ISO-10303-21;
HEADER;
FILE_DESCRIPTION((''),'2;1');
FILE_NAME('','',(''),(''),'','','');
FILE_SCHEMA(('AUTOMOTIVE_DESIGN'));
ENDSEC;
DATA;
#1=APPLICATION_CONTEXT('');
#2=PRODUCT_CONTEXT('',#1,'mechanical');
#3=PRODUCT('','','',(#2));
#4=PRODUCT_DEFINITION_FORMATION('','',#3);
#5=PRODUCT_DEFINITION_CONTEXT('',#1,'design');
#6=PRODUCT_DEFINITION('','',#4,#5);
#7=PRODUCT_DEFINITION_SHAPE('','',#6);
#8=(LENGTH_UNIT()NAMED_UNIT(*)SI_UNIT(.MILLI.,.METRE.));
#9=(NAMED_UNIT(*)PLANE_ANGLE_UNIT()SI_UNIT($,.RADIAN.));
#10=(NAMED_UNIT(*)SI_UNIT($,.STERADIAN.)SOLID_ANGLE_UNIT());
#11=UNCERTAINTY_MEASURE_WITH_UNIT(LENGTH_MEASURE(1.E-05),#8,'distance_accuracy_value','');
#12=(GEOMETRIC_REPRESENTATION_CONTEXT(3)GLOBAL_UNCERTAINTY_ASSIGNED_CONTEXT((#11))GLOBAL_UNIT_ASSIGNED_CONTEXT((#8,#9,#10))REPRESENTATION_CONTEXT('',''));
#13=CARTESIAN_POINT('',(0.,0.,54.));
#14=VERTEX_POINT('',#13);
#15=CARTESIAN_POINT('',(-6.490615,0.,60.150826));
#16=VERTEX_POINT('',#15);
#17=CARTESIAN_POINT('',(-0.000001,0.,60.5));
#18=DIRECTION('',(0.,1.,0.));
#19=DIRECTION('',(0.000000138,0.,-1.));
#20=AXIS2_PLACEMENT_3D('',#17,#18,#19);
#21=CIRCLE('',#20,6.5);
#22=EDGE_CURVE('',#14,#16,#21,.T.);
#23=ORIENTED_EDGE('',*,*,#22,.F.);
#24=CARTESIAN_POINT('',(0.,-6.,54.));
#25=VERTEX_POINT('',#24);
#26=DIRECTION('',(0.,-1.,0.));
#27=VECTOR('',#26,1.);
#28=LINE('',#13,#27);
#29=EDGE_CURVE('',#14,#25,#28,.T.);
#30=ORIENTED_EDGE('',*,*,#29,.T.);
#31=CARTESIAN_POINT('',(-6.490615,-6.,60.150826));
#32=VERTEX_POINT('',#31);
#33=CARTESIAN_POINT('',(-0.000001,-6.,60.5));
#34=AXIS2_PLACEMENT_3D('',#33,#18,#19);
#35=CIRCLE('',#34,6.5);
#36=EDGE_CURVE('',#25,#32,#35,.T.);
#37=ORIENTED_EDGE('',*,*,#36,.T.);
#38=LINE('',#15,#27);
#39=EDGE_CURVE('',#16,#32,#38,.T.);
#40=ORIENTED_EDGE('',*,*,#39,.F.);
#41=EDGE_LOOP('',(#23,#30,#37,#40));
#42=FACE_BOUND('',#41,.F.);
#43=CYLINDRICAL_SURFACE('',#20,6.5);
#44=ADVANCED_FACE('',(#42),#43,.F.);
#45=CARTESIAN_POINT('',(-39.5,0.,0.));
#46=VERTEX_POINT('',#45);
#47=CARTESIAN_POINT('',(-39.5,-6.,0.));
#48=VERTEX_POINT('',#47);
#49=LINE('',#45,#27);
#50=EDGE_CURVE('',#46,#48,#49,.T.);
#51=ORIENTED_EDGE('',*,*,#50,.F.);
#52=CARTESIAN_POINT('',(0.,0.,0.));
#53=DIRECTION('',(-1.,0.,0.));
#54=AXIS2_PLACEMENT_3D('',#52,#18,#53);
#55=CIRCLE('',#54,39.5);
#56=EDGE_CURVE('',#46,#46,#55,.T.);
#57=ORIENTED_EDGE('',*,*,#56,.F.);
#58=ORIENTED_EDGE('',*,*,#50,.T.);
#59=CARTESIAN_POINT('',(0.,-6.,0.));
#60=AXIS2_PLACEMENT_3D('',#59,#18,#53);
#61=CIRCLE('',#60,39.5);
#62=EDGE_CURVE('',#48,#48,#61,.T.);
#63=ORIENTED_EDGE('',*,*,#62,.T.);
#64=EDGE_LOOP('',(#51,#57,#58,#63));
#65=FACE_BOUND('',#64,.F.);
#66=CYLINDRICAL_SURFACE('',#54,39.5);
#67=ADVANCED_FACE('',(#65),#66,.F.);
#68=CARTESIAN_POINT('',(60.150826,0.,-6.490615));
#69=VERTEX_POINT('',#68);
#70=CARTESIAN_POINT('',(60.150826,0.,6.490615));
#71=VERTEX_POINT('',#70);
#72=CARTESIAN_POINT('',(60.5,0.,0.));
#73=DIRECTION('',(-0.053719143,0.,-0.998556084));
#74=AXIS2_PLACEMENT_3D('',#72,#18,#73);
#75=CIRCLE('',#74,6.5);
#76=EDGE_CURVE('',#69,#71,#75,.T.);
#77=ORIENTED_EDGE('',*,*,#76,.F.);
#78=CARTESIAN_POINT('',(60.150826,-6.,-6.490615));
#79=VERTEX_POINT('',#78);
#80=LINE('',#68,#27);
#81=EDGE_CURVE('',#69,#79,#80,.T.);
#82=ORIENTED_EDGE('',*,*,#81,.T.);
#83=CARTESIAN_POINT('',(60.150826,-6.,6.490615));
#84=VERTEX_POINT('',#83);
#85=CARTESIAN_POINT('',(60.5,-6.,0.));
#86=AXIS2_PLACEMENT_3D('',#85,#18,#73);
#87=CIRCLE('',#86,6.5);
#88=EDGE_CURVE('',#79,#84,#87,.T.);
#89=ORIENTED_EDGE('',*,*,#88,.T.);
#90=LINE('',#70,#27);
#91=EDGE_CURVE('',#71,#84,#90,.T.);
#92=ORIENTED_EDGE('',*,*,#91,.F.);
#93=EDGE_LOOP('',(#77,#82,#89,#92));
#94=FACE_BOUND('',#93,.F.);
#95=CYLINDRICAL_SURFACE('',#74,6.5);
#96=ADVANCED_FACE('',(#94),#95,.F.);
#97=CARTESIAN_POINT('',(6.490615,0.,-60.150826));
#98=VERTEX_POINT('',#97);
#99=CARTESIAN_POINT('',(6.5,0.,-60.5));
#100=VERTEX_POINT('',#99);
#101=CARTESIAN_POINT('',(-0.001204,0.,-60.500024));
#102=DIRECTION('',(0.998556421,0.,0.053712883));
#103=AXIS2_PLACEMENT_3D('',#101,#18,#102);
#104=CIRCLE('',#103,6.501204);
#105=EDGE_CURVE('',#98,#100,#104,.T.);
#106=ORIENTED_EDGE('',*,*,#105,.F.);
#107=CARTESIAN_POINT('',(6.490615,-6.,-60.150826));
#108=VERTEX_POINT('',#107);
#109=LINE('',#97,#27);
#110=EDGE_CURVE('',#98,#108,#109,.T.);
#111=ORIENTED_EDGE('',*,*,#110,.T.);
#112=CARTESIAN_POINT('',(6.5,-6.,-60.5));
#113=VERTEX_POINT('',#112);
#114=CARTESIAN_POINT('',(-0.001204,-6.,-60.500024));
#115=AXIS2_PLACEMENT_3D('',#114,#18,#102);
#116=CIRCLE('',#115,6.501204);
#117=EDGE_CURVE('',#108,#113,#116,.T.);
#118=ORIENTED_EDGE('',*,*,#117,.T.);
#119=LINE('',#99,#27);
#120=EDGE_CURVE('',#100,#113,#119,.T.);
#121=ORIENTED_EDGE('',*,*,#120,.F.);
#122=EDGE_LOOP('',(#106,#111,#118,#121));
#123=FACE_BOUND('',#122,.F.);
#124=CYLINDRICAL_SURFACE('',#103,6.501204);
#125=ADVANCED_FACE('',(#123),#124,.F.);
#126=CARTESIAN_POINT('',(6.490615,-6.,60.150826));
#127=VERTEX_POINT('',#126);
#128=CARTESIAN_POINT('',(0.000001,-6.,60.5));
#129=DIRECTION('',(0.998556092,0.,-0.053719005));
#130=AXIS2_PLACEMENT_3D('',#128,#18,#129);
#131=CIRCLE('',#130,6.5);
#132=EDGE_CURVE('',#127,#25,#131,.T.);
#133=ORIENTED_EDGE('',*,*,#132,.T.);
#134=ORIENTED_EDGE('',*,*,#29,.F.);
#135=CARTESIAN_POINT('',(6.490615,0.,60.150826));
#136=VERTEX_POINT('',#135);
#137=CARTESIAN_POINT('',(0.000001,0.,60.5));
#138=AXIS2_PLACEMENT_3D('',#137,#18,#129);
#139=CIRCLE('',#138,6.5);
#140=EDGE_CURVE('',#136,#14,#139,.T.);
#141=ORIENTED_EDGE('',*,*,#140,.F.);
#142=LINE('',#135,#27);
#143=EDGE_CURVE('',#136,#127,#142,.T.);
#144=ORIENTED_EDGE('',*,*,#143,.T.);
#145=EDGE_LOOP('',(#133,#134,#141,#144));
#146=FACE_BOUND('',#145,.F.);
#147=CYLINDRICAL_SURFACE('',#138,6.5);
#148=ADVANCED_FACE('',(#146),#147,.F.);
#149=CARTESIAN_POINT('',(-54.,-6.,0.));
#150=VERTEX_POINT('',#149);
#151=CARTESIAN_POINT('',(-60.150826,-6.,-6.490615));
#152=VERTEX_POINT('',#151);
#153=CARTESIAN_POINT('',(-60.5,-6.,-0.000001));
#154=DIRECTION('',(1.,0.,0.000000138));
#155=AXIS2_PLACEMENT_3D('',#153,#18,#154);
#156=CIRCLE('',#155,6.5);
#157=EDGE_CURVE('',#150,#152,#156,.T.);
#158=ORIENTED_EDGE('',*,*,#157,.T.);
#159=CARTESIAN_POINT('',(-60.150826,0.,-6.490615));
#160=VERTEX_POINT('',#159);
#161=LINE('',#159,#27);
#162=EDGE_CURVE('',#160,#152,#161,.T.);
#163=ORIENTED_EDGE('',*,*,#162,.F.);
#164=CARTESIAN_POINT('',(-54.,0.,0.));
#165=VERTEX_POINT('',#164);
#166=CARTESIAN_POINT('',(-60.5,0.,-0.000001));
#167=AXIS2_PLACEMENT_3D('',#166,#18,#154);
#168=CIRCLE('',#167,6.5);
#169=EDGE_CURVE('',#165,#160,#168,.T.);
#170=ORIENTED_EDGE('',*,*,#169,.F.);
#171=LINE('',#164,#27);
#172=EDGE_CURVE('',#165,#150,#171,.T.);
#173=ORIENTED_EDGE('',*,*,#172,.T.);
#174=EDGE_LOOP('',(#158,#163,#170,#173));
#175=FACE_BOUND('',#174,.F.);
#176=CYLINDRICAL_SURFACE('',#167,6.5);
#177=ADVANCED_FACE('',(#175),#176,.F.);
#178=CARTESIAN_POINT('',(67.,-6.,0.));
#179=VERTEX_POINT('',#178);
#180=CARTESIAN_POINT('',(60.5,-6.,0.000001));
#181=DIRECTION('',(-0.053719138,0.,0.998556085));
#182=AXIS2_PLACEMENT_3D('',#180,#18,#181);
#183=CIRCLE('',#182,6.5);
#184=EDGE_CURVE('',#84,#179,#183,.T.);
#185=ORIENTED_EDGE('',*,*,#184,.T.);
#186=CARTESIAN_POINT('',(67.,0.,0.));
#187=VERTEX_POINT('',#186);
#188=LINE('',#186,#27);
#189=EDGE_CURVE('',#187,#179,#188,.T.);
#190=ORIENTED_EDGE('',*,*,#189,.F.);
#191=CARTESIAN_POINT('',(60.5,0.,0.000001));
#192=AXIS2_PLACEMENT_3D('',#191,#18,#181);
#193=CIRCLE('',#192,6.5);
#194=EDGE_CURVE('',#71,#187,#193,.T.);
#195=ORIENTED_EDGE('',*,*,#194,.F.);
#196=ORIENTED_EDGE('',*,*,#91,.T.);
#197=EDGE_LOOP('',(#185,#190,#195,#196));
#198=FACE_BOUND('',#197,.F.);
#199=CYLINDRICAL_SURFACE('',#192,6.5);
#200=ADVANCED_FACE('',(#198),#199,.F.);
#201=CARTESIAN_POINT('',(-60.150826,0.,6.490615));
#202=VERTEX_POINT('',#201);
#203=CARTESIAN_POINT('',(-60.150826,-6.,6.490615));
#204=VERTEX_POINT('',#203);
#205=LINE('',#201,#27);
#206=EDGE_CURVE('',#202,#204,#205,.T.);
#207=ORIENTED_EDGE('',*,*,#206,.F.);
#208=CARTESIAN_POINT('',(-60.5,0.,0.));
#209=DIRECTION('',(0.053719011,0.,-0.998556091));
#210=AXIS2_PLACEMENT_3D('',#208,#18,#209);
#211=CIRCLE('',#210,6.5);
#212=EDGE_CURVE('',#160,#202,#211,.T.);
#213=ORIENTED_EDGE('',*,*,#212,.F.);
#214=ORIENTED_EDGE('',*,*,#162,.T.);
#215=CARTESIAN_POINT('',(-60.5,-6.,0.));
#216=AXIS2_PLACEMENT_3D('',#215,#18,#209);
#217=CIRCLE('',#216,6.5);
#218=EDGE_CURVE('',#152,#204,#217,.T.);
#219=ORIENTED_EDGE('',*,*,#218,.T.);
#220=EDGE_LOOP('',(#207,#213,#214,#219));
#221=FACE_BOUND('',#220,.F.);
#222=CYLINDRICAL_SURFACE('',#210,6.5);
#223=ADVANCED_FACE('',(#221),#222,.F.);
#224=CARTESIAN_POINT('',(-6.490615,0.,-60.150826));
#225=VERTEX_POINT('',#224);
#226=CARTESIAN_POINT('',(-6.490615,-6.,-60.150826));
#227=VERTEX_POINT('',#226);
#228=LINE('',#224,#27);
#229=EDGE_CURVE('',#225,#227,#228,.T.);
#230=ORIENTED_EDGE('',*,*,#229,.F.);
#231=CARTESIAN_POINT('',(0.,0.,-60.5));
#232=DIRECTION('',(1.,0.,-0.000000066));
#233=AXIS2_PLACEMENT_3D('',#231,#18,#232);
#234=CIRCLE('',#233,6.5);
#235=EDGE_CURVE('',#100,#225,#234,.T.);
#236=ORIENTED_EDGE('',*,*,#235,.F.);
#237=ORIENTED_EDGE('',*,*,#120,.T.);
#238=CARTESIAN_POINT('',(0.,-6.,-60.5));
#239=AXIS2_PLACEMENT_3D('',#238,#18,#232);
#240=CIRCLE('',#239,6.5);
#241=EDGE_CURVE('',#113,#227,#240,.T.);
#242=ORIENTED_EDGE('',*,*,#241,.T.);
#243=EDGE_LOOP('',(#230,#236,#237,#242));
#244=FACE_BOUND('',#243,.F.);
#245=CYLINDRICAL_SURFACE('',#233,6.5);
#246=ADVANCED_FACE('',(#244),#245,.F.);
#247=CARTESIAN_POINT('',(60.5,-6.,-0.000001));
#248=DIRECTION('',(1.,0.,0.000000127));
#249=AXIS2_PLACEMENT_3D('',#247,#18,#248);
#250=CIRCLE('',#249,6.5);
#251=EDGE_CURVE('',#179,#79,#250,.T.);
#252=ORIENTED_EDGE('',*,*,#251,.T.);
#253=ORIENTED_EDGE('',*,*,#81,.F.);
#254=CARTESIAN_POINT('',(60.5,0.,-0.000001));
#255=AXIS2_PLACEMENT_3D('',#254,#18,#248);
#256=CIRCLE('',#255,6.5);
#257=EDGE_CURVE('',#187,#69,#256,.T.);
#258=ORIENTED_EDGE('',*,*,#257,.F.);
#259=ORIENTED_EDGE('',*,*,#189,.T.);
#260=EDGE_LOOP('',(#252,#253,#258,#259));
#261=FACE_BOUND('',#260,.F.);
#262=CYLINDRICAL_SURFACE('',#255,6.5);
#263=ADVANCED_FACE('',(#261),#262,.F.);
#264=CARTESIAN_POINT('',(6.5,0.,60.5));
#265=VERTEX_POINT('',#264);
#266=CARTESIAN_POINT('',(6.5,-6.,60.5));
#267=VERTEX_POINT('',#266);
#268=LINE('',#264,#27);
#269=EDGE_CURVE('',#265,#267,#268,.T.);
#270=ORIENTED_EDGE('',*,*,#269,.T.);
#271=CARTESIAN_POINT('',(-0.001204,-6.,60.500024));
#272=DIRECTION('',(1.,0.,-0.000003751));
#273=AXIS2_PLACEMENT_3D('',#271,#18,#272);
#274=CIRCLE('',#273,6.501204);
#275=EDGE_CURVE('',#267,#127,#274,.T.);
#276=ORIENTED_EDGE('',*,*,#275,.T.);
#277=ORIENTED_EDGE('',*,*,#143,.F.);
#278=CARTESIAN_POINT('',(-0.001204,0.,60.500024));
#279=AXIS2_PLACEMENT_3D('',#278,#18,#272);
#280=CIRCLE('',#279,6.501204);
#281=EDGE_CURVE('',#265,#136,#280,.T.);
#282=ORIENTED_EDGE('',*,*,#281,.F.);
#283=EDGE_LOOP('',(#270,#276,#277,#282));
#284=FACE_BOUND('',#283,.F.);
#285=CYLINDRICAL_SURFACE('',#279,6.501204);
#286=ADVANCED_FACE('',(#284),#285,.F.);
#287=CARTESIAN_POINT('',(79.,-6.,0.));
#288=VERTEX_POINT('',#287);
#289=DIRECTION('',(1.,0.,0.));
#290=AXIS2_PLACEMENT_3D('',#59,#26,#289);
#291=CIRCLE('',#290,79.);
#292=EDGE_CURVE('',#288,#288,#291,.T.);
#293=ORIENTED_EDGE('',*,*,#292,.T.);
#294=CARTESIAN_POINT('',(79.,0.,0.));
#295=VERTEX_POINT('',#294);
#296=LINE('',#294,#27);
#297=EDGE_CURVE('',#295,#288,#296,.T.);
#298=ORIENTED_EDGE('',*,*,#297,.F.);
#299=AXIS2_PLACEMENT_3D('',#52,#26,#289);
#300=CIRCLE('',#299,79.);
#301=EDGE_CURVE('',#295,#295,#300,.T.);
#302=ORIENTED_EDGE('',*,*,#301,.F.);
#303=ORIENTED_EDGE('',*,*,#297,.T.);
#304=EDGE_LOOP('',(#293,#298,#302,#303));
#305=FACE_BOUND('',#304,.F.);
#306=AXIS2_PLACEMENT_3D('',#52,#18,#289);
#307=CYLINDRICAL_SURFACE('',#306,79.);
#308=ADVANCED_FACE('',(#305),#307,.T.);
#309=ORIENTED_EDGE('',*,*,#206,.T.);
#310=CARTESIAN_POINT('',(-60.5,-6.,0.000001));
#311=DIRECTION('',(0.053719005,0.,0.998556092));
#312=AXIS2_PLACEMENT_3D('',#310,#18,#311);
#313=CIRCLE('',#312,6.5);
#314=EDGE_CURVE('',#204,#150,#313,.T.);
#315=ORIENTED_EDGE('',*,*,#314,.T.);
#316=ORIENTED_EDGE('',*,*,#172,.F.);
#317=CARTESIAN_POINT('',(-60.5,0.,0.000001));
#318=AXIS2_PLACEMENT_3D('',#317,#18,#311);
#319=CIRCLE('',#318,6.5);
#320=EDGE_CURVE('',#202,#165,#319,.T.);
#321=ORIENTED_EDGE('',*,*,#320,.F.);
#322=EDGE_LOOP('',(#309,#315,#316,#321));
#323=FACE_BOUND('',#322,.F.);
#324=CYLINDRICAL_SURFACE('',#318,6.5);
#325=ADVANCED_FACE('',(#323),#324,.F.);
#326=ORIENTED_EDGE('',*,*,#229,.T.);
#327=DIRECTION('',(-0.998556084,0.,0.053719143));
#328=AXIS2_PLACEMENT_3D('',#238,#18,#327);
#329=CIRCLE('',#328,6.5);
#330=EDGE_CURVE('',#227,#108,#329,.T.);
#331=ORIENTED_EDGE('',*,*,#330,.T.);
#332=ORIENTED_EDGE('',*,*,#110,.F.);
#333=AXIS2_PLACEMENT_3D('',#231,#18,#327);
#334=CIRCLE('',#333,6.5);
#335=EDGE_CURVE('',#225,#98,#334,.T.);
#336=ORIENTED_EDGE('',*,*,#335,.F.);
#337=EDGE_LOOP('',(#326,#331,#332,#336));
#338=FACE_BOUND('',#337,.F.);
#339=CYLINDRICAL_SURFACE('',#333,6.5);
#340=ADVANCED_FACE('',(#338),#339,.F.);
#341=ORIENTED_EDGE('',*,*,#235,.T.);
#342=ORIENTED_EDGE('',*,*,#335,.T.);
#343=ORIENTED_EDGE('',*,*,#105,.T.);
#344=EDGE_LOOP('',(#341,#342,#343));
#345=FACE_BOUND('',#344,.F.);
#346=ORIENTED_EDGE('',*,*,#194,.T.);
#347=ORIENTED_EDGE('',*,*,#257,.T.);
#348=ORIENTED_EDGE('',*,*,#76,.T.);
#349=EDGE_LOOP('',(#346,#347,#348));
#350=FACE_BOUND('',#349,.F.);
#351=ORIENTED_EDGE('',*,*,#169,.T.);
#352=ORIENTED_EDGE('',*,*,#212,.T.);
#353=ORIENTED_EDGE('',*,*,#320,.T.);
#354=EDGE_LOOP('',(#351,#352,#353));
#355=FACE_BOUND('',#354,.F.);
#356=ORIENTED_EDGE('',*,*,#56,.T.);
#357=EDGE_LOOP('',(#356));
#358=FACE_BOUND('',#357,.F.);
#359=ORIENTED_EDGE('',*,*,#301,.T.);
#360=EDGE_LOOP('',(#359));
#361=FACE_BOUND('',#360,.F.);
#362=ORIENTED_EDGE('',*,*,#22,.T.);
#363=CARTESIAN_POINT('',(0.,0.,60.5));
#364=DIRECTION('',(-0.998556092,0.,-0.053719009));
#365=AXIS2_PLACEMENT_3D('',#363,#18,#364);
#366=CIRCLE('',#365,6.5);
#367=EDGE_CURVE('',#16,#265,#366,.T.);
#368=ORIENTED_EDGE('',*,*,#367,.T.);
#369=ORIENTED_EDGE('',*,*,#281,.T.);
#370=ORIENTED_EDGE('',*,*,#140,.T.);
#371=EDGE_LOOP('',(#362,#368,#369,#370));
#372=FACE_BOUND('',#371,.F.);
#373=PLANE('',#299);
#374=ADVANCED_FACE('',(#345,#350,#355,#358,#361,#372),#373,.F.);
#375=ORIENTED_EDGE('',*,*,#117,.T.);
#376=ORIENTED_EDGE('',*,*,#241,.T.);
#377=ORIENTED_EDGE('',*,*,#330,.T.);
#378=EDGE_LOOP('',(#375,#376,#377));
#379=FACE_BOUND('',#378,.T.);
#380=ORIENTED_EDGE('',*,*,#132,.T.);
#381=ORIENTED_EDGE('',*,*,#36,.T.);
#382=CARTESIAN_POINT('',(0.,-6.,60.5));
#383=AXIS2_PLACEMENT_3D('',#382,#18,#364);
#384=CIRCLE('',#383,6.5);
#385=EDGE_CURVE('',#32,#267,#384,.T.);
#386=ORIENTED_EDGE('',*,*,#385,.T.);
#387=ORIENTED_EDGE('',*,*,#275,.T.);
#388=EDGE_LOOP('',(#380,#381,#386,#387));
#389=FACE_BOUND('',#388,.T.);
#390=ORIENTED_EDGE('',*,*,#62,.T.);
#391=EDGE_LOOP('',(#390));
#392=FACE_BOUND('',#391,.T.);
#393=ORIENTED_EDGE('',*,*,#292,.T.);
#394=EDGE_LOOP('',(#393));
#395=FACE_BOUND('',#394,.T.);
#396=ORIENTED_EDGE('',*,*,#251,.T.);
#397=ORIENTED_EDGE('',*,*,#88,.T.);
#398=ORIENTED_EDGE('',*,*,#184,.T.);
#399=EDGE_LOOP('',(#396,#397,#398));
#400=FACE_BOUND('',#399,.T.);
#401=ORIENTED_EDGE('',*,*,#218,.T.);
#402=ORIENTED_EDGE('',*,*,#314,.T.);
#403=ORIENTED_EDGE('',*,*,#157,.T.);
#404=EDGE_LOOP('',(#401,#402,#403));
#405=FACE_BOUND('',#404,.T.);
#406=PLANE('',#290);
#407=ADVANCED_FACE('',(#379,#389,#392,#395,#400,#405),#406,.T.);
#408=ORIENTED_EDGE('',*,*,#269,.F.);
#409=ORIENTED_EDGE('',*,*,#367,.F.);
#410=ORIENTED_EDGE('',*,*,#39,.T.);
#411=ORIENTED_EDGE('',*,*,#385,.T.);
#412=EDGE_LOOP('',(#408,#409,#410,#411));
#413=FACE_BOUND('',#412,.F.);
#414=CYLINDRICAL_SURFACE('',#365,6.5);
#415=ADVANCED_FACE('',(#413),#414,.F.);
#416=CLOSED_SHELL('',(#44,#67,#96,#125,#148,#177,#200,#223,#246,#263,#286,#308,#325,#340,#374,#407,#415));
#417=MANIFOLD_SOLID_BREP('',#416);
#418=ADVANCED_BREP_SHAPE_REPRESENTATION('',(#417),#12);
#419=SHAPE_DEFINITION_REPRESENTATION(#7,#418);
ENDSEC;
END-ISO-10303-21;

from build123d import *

# Parameters (mm, degrees)
F0_R     = 79
F1_DEPTH = 6
F2_R     = 39.5
F3_DEPTH = 6.001


with BuildPart() as f1:
    # F0 (on Front) → F1 (new body)
    with BuildSketch(Plane.XZ):
        Circle(F0_R)
        with BuildLine():
            ThreePointArc((6.490615, 60.150826), (42.77996, 42.77996), (60.150826, 6.490615))
            ThreePointArc((60.150826, 6.490615), (64.971039, 4.718031), (67, 0))
            ThreePointArc((67, 0), (64.971039, -4.718031), (60.150826, -6.490615))
            ThreePointArc((60.150826, -6.490615), (42.77996, -42.77996), (6.490615, -60.150826))
            ThreePointArc((6.490615, -60.150826), (6.497653, -60.32535), (6.5, -60.5))
            ThreePointArc((6.5, -60.5), (-0.17465, -66.997653), (-6.490615, -60.150826))
            ThreePointArc((-6.490615, -60.150826), (-42.77996, -42.77996), (-60.150826, -6.490615))
            ThreePointArc((-60.150826, -6.490615), (-67, 0), (-60.150826, 6.490615))
            ThreePointArc((-60.150826, 6.490615), (-42.77996, 42.77996), (-6.490615, 60.150826))
            ThreePointArc((-6.490615, 60.150826), (-0.17465, 66.997653), (6.5, 60.5))
            ThreePointArc((6.5, 60.5), (6.497653, 60.32535), (6.490615, 60.150826))
        make_face(mode=Mode.SUBTRACT)
        with BuildLine():
            ThreePointArc((60.150826, -6.490615), (54, 0), (60.150826, 6.490615))
            ThreePointArc((60.150826, 6.490615), (42.77996, 42.77996), (6.490615, 60.150826))
            ThreePointArc((6.490615, 60.150826), (4.471039, 55.781969), (0, 54))
            ThreePointArc((0, 54), (-4.471039, 55.781969), (-6.490615, 60.150826))
            ThreePointArc((-6.490615, 60.150826), (-42.77996, 42.77996), (-60.150826, 6.490615))
            ThreePointArc((-60.150826, 6.490615), (-55.781969, 4.471039), (-54, 0))
            ThreePointArc((-54, 0), (-55.781969, -4.471039), (-60.150826, -6.490615))
            ThreePointArc((-60.150826, -6.490615), (-42.77996, -42.77996), (-6.490615, -60.150826))
            ThreePointArc((-6.490615, -60.150826), (0, -54), (6.490615, -60.150826))
            ThreePointArc((6.490615, -60.150826), (42.77996, -42.77996), (60.150826, -6.490615))
        make_face()
    extrude(amount=F1_DEPTH)

    # F2 (on face) → F3 (cut, through all)
    with BuildSketch(Plane(origin=(0, 0, 0), x_dir=(-1, 0, 0), z_dir=(0, 1, 0))):
        Circle(F2_R)
    extrude(amount=-F3_DEPTH, mode=Mode.SUBTRACT)


solid = f1.part
